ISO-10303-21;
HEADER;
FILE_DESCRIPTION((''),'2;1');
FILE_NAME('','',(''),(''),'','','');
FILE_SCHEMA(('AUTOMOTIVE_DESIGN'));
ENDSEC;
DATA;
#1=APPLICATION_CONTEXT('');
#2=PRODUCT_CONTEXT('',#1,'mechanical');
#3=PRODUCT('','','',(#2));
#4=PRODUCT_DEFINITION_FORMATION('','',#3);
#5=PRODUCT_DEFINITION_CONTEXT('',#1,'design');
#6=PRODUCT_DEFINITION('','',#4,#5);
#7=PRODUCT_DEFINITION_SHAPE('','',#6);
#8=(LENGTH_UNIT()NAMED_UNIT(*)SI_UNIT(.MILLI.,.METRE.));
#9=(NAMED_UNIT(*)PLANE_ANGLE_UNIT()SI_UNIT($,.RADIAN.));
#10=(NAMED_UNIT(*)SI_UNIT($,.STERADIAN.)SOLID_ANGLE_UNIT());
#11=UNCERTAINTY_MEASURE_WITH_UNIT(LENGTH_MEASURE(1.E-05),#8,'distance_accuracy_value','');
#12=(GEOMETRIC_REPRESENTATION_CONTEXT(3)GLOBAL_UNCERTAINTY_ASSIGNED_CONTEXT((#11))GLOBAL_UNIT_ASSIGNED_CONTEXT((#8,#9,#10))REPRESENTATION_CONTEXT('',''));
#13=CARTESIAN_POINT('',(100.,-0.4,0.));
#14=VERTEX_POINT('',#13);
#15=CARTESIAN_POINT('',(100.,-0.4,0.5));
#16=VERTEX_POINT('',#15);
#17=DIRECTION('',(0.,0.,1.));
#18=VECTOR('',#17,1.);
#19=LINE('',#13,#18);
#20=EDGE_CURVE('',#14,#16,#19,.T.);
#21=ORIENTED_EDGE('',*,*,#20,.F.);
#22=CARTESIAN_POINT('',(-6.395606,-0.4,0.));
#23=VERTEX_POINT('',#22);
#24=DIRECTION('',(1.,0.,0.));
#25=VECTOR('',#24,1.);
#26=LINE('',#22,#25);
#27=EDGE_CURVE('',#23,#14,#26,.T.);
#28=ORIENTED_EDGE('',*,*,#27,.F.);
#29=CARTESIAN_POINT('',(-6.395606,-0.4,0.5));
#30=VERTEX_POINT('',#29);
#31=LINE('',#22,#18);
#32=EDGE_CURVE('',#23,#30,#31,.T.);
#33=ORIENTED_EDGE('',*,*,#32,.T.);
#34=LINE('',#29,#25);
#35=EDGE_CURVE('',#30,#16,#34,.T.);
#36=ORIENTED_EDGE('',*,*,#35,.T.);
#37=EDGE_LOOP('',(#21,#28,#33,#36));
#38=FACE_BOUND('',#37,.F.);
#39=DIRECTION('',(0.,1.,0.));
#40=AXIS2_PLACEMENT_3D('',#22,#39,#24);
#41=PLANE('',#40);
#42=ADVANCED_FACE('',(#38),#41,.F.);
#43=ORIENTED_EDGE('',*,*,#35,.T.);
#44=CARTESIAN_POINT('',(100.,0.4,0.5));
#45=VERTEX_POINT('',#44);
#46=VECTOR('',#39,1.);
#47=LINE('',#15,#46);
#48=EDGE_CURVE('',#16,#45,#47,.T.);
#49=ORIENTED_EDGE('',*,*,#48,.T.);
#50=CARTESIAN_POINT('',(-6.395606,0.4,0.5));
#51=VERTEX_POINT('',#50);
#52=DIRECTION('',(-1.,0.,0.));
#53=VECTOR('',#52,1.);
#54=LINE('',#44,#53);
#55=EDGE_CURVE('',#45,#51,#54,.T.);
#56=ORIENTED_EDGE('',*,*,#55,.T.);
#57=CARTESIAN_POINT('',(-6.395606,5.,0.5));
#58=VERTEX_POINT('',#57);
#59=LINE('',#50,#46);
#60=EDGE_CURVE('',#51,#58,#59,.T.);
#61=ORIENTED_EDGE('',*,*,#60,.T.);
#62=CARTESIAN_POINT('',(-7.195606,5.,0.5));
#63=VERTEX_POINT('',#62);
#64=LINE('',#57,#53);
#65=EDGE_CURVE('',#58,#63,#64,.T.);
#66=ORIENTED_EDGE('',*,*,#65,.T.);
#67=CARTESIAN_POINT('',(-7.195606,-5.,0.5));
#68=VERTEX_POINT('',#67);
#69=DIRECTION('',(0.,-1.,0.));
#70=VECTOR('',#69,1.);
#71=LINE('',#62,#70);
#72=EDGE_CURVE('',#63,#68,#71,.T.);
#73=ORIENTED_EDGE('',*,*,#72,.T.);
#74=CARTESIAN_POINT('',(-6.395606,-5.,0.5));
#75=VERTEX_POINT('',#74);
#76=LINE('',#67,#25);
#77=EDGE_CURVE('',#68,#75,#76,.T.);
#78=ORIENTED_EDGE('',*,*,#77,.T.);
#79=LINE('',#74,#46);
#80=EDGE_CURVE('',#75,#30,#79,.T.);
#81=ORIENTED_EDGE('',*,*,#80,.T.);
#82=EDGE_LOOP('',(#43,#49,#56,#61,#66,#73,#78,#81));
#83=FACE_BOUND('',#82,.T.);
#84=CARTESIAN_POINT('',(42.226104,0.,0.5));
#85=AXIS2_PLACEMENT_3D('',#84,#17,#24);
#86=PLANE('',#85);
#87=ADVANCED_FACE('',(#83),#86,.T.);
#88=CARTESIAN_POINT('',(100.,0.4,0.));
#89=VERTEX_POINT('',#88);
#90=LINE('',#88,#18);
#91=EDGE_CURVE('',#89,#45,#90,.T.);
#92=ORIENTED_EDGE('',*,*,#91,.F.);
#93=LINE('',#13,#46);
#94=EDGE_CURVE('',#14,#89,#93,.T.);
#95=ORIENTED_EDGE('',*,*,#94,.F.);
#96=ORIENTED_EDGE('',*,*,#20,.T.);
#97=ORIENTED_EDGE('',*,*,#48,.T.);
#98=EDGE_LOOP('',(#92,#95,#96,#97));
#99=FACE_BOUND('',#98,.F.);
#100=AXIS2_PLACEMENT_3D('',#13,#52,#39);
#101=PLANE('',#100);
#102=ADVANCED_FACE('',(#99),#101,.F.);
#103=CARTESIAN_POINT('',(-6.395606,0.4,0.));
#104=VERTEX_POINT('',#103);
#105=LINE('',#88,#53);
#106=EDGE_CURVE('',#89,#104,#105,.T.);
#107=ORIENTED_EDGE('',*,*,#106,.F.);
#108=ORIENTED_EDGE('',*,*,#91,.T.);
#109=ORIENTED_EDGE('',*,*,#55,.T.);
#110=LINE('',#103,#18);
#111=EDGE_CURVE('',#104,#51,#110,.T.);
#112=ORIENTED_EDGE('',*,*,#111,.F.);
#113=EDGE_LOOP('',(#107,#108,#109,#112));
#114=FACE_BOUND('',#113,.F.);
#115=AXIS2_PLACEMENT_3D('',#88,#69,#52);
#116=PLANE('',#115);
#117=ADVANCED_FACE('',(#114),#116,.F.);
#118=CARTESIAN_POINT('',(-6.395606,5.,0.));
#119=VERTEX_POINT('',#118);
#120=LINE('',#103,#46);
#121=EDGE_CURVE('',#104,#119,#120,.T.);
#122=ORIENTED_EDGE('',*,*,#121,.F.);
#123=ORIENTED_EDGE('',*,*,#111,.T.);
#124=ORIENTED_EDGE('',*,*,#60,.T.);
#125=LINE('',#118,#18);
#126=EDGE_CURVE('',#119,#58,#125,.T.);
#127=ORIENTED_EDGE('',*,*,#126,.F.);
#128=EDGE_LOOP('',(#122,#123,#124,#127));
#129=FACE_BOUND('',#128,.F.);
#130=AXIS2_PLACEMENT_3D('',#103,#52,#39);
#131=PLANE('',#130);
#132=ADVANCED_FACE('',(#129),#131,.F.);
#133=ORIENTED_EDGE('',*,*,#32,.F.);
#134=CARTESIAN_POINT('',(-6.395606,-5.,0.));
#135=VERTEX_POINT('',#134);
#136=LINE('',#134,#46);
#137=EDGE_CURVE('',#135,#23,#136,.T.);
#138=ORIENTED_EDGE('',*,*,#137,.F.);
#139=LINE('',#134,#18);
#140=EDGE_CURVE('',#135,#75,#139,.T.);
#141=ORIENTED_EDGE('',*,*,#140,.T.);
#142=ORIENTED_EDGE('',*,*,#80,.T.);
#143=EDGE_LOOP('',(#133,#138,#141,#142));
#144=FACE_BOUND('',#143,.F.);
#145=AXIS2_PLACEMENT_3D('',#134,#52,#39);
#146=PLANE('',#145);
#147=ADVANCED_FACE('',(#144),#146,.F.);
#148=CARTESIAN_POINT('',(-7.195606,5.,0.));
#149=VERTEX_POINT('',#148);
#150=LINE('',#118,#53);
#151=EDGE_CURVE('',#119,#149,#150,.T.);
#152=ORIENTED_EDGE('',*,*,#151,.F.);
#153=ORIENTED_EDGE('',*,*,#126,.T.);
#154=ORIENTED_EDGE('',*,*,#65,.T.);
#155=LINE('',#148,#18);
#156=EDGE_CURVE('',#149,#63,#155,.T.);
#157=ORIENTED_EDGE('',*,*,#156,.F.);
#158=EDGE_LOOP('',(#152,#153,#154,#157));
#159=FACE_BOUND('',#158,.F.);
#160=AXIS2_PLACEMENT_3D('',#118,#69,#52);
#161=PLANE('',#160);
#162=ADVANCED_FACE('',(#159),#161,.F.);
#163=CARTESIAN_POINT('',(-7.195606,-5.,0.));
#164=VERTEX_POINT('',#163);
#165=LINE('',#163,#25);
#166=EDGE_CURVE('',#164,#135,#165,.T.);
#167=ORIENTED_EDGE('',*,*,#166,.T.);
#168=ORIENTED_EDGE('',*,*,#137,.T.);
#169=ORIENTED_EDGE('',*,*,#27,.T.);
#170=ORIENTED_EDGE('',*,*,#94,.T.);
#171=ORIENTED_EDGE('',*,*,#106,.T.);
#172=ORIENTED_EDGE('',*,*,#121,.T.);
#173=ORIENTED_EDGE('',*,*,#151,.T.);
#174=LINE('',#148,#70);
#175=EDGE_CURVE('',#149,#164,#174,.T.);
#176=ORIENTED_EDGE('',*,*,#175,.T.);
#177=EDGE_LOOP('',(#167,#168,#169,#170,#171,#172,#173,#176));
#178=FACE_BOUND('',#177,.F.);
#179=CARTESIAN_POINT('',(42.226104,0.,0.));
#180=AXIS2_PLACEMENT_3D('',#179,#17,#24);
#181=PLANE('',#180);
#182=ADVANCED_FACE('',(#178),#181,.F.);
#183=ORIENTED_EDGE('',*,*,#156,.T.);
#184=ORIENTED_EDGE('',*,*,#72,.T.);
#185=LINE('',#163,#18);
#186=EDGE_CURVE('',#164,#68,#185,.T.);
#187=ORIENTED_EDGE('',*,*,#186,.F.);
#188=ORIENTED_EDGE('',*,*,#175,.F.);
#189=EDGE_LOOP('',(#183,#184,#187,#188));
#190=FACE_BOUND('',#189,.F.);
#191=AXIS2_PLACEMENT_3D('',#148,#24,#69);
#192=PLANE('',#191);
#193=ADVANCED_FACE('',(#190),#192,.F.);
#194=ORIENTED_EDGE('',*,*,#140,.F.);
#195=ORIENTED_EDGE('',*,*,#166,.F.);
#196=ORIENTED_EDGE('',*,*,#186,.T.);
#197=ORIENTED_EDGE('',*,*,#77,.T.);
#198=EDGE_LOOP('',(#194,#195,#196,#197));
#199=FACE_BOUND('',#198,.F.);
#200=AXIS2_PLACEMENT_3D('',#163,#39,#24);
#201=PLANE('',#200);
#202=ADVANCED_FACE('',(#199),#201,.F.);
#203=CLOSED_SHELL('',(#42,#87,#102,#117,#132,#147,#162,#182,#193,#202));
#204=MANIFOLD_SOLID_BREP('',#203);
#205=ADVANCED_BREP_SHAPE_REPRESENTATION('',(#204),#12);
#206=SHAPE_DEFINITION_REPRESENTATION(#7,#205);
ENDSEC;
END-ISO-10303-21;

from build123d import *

# Parameters (mm, degrees)
PAD_DEPTH = 0.5


with BuildPart() as part:
    # Sketch → Pad (new body)
    with BuildSketch(Plane.XY):
        Polygon((-7.195606, 5), (-7.195606, 0), (-7.195606, -5), (-6.795606, -5), (-6.395606, -5), (-6.395606, -0.4), (0, -0.4), (100, -0.4), (100, 0.4), (0, 0.4), (-6.395606, 0.4), (-6.395606, 5), (-6.795606, 5), align=None)
    extrude(amount=PAD_DEPTH)


solid = part.part
